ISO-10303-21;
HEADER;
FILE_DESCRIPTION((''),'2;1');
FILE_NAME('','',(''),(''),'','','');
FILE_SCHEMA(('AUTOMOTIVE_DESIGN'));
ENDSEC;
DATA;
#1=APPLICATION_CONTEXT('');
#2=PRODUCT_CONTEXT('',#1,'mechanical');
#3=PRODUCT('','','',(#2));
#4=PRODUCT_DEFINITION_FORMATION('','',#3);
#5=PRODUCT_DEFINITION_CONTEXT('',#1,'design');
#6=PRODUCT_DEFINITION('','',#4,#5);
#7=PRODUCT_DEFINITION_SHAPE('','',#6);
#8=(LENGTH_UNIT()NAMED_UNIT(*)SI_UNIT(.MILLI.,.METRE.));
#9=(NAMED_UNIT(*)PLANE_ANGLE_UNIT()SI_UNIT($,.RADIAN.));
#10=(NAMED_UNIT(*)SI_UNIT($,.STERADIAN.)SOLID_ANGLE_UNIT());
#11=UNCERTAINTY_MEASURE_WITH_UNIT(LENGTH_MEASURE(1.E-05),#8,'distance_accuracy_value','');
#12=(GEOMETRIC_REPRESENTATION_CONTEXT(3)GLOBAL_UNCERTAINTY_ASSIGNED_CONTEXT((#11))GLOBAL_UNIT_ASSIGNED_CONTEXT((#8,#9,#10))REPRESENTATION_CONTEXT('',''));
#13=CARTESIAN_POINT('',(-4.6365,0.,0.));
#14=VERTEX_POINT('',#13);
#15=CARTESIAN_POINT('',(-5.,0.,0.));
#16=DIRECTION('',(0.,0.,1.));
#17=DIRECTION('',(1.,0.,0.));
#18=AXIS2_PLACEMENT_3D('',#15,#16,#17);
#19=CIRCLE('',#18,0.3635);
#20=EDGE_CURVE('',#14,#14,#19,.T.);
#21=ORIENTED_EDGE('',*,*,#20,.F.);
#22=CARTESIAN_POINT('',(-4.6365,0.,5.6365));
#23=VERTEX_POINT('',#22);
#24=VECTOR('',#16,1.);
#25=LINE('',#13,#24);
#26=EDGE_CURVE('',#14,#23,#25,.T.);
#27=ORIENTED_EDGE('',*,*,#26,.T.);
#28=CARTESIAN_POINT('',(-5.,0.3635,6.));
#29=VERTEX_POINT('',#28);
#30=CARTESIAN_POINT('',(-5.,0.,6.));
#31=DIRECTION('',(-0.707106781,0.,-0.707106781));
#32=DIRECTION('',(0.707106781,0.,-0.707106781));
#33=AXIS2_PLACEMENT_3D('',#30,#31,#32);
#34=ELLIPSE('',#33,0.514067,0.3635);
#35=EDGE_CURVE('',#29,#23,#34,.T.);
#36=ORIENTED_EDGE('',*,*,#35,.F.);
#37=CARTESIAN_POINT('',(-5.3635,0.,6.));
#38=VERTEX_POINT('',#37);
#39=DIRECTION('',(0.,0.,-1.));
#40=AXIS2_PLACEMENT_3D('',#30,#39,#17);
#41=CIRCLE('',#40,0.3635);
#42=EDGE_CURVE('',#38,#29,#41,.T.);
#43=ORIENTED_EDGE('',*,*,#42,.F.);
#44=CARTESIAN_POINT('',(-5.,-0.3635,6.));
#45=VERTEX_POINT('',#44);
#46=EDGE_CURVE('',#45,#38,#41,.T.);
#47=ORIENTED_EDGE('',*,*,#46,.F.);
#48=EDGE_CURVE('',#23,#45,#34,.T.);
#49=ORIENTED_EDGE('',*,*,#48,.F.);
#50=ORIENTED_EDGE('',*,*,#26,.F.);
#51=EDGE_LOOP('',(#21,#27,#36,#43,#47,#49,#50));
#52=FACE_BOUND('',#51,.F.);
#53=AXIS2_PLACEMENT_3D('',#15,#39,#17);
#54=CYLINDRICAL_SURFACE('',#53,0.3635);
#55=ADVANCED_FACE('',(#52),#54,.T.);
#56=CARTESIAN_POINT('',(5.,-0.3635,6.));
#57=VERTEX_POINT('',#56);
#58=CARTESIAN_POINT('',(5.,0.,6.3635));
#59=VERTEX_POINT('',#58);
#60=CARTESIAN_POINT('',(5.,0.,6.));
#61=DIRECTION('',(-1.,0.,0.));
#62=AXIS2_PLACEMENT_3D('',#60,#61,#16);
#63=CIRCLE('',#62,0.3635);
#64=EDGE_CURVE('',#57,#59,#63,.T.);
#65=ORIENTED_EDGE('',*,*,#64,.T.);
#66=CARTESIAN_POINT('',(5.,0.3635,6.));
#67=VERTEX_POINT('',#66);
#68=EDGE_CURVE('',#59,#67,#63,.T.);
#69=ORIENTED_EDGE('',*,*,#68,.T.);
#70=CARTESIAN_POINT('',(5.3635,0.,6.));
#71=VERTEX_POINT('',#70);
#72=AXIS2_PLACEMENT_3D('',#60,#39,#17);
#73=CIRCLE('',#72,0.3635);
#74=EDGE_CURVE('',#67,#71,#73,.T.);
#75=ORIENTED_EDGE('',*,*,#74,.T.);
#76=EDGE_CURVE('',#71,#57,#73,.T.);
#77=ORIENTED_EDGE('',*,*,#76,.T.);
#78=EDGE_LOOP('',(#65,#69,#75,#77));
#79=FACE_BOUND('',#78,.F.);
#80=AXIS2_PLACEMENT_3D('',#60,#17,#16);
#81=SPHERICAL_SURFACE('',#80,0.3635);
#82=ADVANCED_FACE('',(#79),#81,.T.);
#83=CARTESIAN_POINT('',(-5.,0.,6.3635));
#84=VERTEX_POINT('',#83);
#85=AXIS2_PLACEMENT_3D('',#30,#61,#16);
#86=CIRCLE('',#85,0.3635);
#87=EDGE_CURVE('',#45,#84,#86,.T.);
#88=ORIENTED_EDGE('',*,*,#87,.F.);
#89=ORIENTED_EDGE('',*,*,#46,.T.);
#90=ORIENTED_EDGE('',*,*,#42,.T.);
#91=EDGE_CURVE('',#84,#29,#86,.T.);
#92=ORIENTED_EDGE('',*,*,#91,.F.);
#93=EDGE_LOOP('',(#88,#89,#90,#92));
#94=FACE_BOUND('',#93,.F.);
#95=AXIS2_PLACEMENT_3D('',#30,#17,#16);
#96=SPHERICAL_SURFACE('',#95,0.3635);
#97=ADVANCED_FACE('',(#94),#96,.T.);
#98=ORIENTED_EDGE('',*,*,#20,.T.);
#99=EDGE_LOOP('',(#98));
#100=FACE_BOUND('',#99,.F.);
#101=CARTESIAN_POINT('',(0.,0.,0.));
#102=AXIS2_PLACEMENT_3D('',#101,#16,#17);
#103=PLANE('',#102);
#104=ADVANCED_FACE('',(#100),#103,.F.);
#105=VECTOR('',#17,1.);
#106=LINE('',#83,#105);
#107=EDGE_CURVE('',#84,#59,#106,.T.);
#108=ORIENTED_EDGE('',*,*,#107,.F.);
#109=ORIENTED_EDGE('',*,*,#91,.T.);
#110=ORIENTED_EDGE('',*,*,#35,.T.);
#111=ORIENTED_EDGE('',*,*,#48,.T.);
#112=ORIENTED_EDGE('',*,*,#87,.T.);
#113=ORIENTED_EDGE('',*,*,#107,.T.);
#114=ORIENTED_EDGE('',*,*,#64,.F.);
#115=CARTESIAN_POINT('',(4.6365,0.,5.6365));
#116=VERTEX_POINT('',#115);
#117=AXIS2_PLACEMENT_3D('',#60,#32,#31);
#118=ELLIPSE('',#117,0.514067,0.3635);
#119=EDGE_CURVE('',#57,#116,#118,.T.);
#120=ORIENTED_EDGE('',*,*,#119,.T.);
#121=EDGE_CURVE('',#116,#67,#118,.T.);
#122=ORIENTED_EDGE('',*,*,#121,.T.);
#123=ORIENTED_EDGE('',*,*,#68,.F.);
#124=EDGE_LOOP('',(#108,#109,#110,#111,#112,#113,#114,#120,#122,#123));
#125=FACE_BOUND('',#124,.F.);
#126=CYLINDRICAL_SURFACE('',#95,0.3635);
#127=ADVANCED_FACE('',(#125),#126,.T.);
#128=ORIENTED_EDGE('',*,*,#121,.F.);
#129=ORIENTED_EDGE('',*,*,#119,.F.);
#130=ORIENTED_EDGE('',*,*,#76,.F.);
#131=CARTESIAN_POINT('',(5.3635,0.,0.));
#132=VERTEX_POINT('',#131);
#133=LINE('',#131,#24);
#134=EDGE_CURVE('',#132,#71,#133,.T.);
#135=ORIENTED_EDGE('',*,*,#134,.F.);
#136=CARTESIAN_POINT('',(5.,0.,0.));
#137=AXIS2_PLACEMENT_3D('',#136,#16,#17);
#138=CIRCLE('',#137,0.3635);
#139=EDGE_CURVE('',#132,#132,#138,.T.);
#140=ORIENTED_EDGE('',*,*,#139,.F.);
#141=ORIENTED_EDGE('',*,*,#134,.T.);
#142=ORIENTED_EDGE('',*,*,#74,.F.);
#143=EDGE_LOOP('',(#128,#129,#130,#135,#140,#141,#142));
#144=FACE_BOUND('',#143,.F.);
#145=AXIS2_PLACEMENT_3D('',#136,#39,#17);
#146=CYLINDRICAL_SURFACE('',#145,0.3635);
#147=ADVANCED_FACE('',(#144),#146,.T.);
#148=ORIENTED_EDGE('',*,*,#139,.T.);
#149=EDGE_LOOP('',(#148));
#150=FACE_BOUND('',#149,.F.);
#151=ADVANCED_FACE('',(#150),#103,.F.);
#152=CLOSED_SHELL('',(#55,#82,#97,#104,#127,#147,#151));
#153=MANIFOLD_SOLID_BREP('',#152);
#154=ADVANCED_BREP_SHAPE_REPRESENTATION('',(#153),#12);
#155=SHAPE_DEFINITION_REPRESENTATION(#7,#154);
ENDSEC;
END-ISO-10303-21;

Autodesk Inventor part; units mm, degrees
sketch "Sketch1" plane through (0, 0, 0) normal (0, 0, 1) x (1, 0, 0)
  circle A0 centre (-5, 0) radius 0.3635
  circle A1 centre (5, 0) radius 0.3635
  line L0 (-7.5089, 0) -> (7.5089, 0) projected
  point P0 (0, 0)
  point P1 (-5.3635, 0)
  point P2 (-4.6365, 0)
  dimension "d2" = 0.727
  dimension "d3" = 0.727
  dimension "d4" = 10
  dimension "d5" = 5
extrude "Extrusion1" add sketch "Sketch1" along normal blind 6
sketch "Sketch2" plane through (0, 0, 0) normal (0, 1, 0) x (-1, 0, 0)
  line L0 (-4.6365, 6) -> (-5.3635, 6) projected
  circle A0 centre (-5, 6) radius 0.3635
  line L1 (5.3635, 6) -> (4.6365, 6) projected
  circle A1 centre (5, 6) radius 0.3635
  line L2 (5, 6.3635) -> (-5, 6.3635)
  line L3 (-5, 6) -> (5, 6)
  point P0 (0, 0)
revolve "Revolution1" add sketch "Sketch2" angle 360 about axis through (5, 0, 6) along (-1, 0, 0) picked at (-5.1703, 6.1703) picked at (4.8297, 6.1703) contours L0 A0 | A0 L2 A1 L3 | A1 L1
equation "\"d5\" = 0.5 * d4"
properties part number "Wire" material "S235"
